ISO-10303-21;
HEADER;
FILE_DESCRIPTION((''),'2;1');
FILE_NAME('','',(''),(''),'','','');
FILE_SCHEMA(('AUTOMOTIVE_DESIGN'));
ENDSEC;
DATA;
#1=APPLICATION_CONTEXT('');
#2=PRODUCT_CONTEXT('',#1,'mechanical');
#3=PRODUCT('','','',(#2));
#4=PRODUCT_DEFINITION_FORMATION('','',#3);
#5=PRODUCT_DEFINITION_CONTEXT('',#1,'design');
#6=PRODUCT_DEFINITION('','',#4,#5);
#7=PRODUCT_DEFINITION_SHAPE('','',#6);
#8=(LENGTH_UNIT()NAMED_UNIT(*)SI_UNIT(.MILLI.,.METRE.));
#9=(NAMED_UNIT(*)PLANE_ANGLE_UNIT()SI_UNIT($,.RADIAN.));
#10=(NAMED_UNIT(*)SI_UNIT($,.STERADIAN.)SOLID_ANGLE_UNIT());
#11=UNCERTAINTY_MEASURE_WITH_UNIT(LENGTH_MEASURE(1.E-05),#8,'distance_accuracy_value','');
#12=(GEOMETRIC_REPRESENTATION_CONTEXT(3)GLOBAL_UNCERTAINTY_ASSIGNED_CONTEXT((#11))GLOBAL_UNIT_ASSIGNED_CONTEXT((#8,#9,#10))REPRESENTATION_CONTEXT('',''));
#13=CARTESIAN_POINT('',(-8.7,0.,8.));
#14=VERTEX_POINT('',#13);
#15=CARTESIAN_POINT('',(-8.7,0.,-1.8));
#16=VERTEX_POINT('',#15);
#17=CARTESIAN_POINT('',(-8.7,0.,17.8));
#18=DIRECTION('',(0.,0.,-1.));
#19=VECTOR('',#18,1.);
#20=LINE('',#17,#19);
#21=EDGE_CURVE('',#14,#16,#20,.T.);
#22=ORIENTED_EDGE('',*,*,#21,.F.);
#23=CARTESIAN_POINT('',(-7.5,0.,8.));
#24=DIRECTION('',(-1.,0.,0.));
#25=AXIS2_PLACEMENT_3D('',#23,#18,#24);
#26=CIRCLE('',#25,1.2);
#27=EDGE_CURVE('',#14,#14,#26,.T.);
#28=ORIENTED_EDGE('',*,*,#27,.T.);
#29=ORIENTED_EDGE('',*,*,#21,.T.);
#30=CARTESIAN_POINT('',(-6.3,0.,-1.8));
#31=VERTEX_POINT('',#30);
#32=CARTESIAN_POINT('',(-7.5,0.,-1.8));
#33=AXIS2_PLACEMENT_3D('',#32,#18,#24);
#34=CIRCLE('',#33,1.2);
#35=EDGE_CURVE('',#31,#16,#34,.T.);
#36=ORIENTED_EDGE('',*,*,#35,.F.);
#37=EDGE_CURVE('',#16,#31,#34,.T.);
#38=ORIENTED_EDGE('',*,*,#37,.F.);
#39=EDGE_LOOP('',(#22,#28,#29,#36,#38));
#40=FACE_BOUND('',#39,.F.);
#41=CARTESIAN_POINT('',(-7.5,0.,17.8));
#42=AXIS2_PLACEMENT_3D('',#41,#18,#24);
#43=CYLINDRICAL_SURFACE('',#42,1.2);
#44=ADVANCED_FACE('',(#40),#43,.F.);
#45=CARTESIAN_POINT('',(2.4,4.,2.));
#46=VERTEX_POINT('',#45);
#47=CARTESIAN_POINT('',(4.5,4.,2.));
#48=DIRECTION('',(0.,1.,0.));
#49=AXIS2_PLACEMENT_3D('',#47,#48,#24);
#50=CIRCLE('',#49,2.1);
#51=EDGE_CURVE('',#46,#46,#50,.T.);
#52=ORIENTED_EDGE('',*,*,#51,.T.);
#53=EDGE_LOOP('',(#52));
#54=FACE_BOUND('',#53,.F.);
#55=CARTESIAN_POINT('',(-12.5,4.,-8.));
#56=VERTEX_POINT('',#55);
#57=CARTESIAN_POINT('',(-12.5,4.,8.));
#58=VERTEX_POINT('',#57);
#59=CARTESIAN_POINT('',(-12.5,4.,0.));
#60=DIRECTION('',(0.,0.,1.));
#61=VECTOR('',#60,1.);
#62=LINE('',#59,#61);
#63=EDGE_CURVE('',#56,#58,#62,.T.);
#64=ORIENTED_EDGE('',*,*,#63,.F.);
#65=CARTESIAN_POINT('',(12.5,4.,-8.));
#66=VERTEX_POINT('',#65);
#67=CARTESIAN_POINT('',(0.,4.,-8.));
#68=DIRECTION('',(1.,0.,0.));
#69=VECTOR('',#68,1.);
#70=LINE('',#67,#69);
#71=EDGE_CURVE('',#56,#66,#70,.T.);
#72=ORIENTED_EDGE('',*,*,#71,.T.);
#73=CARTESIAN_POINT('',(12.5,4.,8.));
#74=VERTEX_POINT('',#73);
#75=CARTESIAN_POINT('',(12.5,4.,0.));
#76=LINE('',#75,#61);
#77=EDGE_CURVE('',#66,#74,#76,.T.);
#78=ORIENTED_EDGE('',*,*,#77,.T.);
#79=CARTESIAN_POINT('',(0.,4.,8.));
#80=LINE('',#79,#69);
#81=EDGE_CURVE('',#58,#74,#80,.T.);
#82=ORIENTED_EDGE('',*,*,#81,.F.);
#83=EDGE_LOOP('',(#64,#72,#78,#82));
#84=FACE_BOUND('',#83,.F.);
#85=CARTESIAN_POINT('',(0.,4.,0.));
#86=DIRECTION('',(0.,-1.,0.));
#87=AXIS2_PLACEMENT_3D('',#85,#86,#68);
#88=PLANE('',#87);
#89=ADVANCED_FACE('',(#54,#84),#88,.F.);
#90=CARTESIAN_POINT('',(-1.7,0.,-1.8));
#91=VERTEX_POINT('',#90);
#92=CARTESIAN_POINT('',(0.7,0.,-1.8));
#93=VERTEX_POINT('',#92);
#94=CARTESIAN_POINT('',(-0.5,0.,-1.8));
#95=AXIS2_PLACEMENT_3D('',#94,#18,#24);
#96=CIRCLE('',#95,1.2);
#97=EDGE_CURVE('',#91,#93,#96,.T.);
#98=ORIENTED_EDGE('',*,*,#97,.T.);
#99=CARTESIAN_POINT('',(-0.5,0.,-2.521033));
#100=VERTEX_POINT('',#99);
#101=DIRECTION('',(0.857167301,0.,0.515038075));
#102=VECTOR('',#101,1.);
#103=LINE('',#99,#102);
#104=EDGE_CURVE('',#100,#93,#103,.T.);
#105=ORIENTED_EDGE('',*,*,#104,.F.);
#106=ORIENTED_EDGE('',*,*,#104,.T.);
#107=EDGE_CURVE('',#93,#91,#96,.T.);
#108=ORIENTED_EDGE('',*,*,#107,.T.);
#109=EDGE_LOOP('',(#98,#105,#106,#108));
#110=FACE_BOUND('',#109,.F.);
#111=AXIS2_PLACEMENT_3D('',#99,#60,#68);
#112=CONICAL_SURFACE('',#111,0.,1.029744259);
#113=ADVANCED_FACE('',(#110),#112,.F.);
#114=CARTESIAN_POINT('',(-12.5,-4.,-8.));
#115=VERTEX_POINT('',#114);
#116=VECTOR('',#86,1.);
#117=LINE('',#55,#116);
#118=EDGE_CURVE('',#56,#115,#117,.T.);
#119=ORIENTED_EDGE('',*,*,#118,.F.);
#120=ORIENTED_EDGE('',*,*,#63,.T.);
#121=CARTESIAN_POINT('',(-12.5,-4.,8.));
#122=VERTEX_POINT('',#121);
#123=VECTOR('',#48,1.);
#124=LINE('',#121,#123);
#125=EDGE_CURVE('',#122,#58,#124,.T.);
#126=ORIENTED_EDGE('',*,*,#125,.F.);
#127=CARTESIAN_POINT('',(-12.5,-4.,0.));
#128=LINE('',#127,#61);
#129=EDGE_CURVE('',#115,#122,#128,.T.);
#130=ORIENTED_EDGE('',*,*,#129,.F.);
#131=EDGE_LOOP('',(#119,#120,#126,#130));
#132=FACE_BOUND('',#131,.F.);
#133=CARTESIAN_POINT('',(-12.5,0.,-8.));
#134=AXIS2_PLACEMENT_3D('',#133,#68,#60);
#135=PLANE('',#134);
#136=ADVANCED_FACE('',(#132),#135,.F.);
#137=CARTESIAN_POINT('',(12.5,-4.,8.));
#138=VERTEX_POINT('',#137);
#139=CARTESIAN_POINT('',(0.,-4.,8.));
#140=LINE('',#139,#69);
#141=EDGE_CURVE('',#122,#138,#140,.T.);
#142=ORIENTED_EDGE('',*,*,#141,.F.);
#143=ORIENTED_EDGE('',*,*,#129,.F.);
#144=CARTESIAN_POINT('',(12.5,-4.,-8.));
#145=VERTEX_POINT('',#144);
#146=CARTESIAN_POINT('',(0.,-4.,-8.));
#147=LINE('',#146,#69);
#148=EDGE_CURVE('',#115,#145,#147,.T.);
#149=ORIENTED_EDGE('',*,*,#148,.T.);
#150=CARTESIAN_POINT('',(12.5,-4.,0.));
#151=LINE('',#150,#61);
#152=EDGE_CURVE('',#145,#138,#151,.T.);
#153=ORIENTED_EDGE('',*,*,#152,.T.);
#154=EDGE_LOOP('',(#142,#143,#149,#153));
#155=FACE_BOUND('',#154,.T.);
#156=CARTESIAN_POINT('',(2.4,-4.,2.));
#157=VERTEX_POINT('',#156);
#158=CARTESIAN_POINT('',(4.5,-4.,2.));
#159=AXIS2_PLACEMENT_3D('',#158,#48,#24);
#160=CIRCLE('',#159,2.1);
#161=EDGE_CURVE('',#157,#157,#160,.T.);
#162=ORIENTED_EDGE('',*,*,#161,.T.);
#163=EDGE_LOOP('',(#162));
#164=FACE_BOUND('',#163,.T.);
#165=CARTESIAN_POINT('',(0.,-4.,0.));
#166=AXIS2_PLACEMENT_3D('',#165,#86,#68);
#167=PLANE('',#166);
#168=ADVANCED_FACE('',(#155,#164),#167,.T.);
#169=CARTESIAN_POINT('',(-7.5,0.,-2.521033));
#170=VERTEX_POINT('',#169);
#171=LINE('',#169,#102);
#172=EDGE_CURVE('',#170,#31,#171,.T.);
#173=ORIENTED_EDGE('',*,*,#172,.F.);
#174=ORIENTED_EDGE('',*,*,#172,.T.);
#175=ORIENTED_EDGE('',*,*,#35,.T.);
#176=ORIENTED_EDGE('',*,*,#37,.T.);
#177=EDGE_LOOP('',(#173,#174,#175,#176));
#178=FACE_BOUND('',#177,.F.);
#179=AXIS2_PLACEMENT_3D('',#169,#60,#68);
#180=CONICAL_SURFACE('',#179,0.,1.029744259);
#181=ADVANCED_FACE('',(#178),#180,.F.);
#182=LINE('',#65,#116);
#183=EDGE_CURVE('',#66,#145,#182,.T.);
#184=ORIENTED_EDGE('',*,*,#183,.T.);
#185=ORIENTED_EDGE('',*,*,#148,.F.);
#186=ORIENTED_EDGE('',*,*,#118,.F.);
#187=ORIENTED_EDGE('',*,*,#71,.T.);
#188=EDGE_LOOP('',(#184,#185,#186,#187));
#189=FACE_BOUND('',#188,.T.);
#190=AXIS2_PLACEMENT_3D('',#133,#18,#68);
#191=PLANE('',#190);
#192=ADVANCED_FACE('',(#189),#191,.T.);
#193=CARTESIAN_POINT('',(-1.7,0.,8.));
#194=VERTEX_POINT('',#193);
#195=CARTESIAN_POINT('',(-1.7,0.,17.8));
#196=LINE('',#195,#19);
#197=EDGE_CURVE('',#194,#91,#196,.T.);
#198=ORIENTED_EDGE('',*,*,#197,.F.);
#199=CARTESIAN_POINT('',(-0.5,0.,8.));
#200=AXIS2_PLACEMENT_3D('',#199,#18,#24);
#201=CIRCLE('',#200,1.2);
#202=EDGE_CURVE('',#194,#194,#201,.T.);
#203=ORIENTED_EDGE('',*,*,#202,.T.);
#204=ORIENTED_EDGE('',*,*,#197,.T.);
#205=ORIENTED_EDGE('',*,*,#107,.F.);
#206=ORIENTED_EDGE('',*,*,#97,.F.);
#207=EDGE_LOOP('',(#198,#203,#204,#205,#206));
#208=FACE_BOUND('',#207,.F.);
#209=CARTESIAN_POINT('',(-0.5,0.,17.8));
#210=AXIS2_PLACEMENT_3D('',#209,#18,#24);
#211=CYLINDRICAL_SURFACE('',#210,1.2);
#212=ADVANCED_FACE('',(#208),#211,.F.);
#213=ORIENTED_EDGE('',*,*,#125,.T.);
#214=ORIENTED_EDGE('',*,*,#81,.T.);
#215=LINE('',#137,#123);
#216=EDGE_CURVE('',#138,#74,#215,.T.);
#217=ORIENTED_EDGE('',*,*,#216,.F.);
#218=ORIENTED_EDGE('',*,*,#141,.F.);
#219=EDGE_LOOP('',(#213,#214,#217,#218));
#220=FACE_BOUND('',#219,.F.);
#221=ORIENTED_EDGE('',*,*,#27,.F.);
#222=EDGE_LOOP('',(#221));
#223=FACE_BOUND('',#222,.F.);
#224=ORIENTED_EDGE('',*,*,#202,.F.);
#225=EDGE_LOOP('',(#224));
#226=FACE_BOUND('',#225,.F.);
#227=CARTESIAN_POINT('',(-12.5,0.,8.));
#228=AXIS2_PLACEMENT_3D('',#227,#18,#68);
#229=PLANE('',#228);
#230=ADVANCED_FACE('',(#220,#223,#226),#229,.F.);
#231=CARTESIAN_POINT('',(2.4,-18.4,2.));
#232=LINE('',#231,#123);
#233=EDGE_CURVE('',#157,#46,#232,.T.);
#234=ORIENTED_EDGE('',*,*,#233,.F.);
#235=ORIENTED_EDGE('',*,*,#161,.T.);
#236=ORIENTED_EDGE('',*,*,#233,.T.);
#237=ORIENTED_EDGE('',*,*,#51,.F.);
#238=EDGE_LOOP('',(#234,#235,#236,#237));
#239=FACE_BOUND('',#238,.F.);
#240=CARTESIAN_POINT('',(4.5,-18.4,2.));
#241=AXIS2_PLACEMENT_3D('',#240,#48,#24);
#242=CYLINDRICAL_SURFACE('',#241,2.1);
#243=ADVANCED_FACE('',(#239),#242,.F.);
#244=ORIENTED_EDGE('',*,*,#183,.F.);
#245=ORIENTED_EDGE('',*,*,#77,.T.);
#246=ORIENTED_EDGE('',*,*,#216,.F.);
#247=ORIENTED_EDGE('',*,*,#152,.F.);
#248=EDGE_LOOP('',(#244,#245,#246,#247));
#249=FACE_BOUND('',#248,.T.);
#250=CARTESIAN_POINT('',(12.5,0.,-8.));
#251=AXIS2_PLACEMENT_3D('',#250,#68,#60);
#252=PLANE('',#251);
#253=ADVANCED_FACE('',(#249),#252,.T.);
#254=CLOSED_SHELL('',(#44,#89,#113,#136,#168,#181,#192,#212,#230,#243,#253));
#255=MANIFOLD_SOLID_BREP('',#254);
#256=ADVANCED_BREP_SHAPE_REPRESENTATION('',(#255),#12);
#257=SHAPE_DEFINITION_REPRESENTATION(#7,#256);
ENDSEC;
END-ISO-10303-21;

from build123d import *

# Parameters (mm, degrees)
F0_W     = 25
F0_H     = 16
F1_DEPTH = 4
F3_D     = 4.2
F3_DEPTH = 14.4
F3_TIP   = 1.2618073
F5_D     = 2.4
F5_DEPTH = 9.8
F5_TIP   = 0.7210327428


with BuildPart() as f1:
    # F0 (on Front) → F1 (new body, symmetric)
    with BuildSketch(Plane.XZ):
        Rectangle(F0_W, F0_H)
    extrude(amount=F1_DEPTH, both=True)

    # F3
    with Locations(Plane.XZ.offset(4)):
        with Locations((4.5, 2)):
            Hole(F3_D / 2, depth=F3_DEPTH)
            with Locations((0, 0, -(F3_DEPTH + F3_TIP / 2))):  # 118° drill point
                Cone(0, F3_D / 2, F3_TIP, mode=Mode.SUBTRACT)

    # F5
    with Locations(Plane.XY.offset(8)):
        with Locations((-0.5, 0), (-7.5, 0)):
            Hole(F5_D / 2, depth=F5_DEPTH)
            with Locations((0, 0, -(F5_DEPTH + F5_TIP / 2))):  # 118° drill point
                Cone(0, F5_D / 2, F5_TIP, mode=Mode.SUBTRACT)


solid = f1.part
